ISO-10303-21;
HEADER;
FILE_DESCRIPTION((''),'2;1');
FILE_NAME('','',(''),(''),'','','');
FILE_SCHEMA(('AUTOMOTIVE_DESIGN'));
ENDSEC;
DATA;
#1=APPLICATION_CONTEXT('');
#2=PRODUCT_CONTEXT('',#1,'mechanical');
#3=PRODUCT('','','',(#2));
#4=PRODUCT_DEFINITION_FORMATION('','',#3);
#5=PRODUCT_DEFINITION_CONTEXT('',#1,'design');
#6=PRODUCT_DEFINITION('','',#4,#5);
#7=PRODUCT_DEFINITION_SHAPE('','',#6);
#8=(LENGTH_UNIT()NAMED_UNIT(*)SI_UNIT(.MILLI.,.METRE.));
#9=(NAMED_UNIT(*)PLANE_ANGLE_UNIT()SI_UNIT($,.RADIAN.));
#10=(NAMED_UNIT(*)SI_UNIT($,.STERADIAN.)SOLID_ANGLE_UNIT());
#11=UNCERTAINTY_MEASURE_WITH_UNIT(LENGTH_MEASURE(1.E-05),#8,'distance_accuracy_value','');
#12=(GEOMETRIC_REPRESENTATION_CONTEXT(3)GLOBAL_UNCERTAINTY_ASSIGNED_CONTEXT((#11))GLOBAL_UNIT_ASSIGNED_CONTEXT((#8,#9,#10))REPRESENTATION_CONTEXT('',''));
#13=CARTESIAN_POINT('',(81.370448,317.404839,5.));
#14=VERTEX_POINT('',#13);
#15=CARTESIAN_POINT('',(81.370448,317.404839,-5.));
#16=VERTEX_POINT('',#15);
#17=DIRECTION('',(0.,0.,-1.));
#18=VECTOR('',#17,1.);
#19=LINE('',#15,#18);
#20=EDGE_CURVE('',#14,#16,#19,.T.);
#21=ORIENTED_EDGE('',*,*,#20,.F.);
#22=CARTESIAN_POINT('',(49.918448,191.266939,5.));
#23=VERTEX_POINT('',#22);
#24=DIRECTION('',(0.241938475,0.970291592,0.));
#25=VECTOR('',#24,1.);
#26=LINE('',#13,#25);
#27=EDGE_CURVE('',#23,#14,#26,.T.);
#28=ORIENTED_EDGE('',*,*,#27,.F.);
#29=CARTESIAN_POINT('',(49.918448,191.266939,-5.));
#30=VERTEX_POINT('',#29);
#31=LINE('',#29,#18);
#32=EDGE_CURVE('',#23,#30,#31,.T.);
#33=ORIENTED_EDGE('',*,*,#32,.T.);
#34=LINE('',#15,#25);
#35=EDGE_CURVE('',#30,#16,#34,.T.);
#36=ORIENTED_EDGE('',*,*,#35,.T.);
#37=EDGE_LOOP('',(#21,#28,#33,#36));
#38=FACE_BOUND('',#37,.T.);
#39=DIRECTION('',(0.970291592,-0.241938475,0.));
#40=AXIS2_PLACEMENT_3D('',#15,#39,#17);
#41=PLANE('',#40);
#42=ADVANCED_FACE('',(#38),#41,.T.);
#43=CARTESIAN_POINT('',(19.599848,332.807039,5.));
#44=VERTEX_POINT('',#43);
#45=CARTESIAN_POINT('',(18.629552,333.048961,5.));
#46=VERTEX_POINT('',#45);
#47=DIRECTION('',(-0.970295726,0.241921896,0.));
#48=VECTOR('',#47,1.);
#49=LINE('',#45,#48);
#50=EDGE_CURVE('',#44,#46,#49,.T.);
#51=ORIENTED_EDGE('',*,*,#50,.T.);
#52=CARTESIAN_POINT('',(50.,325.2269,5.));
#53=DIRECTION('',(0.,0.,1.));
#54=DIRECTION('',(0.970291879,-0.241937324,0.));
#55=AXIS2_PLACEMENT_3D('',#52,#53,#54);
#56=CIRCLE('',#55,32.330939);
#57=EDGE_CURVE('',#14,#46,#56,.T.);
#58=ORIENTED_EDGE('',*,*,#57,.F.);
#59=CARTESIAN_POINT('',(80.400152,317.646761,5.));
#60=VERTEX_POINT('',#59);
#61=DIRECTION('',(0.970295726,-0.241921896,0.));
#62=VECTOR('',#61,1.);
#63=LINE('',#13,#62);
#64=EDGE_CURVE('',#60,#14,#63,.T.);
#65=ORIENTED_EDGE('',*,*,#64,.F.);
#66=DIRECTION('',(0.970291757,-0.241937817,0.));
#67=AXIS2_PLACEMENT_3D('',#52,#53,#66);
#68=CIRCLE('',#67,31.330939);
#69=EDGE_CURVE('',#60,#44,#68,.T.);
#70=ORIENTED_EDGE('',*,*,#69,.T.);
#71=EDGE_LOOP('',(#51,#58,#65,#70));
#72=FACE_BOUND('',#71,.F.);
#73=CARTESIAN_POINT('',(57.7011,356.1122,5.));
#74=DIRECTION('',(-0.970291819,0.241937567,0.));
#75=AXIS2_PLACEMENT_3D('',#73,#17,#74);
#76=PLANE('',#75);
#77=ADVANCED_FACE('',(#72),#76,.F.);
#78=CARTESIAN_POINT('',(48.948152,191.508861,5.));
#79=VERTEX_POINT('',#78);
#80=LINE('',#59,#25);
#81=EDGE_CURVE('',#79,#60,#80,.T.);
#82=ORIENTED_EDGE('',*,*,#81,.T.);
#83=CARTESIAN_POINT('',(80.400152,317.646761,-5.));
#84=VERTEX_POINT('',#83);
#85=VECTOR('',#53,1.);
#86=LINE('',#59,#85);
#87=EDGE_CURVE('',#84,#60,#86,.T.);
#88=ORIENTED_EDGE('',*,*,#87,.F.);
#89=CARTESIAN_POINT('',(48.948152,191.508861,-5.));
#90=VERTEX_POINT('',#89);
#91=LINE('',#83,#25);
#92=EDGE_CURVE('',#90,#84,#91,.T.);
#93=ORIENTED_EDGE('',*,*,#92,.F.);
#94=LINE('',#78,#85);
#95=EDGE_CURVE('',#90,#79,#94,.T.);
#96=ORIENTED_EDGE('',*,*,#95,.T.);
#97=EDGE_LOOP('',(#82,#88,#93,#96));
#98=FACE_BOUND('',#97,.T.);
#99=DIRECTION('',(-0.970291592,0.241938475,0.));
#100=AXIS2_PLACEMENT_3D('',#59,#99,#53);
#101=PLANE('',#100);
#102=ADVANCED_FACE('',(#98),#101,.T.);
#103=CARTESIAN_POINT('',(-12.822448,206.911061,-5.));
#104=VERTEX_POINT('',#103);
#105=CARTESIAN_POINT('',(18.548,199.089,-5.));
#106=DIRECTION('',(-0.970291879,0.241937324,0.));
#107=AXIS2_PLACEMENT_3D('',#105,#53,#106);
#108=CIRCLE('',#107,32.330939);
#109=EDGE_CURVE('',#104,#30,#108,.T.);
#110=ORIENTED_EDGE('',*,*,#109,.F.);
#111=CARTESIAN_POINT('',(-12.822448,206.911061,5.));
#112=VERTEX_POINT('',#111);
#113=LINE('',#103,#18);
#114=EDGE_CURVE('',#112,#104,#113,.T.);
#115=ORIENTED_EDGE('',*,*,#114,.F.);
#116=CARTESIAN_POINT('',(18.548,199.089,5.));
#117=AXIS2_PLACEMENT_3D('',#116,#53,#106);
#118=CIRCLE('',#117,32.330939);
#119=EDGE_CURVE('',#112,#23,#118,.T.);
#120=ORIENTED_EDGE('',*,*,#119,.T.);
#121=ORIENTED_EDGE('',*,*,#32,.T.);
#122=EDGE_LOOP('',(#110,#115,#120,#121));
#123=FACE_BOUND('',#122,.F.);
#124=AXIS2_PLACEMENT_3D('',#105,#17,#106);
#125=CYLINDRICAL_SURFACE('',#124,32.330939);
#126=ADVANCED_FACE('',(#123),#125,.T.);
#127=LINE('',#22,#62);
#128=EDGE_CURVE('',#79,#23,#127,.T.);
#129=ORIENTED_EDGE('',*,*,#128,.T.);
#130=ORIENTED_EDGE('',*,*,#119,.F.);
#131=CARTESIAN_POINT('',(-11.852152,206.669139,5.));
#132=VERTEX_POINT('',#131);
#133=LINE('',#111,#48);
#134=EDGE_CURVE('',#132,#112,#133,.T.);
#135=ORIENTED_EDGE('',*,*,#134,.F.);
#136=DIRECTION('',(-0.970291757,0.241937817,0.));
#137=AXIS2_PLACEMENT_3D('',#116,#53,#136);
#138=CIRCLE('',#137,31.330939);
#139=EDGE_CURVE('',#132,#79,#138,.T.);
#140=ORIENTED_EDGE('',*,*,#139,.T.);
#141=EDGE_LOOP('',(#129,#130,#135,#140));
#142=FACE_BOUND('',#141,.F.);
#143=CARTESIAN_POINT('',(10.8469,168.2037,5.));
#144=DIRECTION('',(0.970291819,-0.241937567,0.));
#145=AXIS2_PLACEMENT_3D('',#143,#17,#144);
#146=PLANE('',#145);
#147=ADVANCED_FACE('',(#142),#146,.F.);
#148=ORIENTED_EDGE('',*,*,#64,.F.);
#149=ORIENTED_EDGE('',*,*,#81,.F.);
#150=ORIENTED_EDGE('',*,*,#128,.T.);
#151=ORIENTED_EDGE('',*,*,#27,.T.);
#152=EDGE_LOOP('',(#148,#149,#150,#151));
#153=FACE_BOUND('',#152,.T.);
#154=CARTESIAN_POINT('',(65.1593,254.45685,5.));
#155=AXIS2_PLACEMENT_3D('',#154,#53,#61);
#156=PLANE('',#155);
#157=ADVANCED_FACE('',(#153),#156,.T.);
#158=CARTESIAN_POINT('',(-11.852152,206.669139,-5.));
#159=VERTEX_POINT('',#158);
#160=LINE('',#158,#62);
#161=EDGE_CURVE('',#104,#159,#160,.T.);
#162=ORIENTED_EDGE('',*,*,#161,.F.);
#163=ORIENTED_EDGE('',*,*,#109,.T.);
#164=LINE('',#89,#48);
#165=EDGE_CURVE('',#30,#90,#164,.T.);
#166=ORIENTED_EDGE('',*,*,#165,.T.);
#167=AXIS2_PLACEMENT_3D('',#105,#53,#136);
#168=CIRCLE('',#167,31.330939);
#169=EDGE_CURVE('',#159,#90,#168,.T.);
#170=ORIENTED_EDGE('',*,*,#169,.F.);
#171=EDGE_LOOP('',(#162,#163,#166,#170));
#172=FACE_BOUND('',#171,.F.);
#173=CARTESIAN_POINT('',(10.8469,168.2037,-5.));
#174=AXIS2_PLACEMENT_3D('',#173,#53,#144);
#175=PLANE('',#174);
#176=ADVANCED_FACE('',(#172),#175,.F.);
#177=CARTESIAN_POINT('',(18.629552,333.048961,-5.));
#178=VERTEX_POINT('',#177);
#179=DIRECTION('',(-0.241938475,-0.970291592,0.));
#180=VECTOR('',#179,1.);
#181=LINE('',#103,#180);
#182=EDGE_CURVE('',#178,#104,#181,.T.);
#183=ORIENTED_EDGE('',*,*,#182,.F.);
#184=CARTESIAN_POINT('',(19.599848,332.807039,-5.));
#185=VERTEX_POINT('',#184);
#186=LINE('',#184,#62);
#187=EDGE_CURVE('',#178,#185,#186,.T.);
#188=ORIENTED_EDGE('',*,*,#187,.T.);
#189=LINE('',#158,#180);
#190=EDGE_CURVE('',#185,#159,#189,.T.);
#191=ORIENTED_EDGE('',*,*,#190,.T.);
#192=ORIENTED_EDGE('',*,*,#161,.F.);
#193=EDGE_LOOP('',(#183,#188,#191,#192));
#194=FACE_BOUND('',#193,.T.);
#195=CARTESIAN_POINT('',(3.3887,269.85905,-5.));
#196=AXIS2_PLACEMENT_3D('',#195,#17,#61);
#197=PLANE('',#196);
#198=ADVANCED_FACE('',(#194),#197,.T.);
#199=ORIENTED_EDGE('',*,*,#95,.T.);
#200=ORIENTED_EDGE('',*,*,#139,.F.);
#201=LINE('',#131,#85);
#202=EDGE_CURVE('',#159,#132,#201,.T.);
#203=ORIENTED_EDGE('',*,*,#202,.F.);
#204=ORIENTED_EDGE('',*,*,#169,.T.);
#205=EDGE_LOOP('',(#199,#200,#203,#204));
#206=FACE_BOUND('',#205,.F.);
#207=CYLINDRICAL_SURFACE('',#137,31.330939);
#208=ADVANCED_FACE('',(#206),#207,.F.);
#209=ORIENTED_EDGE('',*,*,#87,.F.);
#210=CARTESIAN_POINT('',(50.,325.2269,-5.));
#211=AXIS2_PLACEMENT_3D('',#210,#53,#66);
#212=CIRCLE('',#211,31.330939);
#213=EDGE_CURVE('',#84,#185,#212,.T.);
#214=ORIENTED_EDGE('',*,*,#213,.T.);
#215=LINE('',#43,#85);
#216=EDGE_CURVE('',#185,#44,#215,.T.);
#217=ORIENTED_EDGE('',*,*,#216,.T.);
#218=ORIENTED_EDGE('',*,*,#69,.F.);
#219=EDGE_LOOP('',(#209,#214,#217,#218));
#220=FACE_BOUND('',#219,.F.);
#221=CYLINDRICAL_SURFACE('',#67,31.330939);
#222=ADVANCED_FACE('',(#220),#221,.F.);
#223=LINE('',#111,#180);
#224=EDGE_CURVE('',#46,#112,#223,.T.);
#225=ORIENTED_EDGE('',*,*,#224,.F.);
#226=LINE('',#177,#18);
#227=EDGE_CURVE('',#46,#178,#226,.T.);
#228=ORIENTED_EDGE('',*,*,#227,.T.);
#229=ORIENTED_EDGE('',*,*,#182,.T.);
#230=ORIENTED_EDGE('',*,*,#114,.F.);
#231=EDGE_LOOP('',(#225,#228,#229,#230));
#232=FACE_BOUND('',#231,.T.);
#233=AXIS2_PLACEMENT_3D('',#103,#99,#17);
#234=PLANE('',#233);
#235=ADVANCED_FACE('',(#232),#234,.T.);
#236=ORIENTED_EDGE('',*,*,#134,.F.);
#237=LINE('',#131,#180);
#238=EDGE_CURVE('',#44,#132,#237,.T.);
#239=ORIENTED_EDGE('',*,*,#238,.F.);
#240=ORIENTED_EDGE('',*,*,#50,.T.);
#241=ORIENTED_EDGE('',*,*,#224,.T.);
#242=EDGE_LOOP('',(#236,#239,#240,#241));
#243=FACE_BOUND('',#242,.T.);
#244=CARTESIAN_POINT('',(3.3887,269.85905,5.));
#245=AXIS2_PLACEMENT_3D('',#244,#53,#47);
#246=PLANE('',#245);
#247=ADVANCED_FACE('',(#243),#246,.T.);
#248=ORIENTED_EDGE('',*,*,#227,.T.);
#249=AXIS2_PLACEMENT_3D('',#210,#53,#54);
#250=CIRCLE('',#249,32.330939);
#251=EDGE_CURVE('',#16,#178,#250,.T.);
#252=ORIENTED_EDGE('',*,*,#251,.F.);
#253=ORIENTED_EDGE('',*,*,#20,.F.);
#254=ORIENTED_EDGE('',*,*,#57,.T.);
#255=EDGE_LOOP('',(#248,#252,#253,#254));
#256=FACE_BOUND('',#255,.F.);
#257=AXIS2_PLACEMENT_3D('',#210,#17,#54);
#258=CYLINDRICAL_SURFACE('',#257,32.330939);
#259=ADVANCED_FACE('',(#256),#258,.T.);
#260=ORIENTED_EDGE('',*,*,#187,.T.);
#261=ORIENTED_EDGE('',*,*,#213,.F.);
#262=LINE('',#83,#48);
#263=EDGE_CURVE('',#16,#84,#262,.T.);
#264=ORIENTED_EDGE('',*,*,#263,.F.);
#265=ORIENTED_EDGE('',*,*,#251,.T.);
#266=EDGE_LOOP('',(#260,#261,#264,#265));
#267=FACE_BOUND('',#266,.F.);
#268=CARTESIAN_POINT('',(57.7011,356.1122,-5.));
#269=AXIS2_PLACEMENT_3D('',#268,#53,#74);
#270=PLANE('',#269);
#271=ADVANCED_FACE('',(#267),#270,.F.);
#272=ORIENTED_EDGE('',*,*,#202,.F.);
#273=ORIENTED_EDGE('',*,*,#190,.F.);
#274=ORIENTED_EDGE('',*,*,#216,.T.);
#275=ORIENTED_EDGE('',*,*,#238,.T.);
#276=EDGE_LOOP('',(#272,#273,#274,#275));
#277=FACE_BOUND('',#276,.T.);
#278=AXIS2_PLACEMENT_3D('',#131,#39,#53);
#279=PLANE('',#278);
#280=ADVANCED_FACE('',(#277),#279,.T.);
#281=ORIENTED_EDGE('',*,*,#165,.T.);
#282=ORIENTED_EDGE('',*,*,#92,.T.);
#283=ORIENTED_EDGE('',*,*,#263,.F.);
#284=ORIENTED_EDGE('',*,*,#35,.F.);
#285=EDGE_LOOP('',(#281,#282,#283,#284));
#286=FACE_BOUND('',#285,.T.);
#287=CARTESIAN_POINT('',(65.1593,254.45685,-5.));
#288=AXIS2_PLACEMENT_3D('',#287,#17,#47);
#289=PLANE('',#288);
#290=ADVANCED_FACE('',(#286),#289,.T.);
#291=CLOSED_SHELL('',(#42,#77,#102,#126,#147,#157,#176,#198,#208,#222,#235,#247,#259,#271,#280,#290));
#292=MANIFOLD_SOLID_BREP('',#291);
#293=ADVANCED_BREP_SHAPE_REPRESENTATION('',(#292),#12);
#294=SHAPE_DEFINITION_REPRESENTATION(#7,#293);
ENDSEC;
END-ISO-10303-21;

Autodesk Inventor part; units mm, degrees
sketch "Sketch Path" plane through (0, 0, 0) normal (0, 0, 1) x (1, 0, 0)
  arc A0 (-12.3373, 206.7901) -> (49.4333, 191.3879) centre (18.548, 199.089) ccw
  arc A1 (80.8853, 317.5258) -> (19.1147, 332.928) centre (50, 325.2269) ccw
  line L0 (80.8853, 317.5258) -> (49.4333, 191.3879)
  line L1 (-12.3373, 206.7901) -> (19.1147, 332.928)
ref_plane "Cross Section Plane" through (49.4333, 191.3879, 0) normal (0.2419, 0.9703, 0) x (0, 0, 1)
ref_plane "Work Plane2" through (18.548, 199.089, 0) normal (-1, 0, 0) x (0, 0, 1)
ref_plane "Work Plane3" through (50, 325.2269, 0) normal (-0.309, -0.9511, 0) x (0, 0, 1)
sketch "Cross Section" plane through (49.4333, 191.3879, 0) normal (0.2419, 0.9703, 0) x (0, 0, 1)
  line L0 (-5, 0.5) -> (5, 0.5)
  line L1 (5, 0.5) -> (5, -0.5)
  line L2 (5, -0.5) -> (-5, -0.5)
  line L3 (-5, -0.5) -> (-5, 0.5)
  line L4 (-5, 0) -> (5, 0) construction
  point P0 (0, 0)
  point P1 (0, 0)
  dimension "d0" = 10
  dimension "d4" = 0.5
  dimension "d5" = 0.5
sweep "Belt" add profiles "Cross Section" path "Sketch Path"
equation "\"d0\" = da_B"
equation "\"d4\" = da_a"
equation "\"d5\" = da_a2"
equation "\"da_B\" = 10"
equation "\"da_pb\" = 5"
equation "\"da_a\" = 0.5"
equation "\"da_S\" = 2.65"
equation "\"da_Beta\" = 20deg"
equation "\"da_Ht\" = 1.2"
equation "\"da_H\" = 2.2"
equation "\"da_a2\" = 0.5"
properties part number "Synchronous Belt" material "Rubber"
